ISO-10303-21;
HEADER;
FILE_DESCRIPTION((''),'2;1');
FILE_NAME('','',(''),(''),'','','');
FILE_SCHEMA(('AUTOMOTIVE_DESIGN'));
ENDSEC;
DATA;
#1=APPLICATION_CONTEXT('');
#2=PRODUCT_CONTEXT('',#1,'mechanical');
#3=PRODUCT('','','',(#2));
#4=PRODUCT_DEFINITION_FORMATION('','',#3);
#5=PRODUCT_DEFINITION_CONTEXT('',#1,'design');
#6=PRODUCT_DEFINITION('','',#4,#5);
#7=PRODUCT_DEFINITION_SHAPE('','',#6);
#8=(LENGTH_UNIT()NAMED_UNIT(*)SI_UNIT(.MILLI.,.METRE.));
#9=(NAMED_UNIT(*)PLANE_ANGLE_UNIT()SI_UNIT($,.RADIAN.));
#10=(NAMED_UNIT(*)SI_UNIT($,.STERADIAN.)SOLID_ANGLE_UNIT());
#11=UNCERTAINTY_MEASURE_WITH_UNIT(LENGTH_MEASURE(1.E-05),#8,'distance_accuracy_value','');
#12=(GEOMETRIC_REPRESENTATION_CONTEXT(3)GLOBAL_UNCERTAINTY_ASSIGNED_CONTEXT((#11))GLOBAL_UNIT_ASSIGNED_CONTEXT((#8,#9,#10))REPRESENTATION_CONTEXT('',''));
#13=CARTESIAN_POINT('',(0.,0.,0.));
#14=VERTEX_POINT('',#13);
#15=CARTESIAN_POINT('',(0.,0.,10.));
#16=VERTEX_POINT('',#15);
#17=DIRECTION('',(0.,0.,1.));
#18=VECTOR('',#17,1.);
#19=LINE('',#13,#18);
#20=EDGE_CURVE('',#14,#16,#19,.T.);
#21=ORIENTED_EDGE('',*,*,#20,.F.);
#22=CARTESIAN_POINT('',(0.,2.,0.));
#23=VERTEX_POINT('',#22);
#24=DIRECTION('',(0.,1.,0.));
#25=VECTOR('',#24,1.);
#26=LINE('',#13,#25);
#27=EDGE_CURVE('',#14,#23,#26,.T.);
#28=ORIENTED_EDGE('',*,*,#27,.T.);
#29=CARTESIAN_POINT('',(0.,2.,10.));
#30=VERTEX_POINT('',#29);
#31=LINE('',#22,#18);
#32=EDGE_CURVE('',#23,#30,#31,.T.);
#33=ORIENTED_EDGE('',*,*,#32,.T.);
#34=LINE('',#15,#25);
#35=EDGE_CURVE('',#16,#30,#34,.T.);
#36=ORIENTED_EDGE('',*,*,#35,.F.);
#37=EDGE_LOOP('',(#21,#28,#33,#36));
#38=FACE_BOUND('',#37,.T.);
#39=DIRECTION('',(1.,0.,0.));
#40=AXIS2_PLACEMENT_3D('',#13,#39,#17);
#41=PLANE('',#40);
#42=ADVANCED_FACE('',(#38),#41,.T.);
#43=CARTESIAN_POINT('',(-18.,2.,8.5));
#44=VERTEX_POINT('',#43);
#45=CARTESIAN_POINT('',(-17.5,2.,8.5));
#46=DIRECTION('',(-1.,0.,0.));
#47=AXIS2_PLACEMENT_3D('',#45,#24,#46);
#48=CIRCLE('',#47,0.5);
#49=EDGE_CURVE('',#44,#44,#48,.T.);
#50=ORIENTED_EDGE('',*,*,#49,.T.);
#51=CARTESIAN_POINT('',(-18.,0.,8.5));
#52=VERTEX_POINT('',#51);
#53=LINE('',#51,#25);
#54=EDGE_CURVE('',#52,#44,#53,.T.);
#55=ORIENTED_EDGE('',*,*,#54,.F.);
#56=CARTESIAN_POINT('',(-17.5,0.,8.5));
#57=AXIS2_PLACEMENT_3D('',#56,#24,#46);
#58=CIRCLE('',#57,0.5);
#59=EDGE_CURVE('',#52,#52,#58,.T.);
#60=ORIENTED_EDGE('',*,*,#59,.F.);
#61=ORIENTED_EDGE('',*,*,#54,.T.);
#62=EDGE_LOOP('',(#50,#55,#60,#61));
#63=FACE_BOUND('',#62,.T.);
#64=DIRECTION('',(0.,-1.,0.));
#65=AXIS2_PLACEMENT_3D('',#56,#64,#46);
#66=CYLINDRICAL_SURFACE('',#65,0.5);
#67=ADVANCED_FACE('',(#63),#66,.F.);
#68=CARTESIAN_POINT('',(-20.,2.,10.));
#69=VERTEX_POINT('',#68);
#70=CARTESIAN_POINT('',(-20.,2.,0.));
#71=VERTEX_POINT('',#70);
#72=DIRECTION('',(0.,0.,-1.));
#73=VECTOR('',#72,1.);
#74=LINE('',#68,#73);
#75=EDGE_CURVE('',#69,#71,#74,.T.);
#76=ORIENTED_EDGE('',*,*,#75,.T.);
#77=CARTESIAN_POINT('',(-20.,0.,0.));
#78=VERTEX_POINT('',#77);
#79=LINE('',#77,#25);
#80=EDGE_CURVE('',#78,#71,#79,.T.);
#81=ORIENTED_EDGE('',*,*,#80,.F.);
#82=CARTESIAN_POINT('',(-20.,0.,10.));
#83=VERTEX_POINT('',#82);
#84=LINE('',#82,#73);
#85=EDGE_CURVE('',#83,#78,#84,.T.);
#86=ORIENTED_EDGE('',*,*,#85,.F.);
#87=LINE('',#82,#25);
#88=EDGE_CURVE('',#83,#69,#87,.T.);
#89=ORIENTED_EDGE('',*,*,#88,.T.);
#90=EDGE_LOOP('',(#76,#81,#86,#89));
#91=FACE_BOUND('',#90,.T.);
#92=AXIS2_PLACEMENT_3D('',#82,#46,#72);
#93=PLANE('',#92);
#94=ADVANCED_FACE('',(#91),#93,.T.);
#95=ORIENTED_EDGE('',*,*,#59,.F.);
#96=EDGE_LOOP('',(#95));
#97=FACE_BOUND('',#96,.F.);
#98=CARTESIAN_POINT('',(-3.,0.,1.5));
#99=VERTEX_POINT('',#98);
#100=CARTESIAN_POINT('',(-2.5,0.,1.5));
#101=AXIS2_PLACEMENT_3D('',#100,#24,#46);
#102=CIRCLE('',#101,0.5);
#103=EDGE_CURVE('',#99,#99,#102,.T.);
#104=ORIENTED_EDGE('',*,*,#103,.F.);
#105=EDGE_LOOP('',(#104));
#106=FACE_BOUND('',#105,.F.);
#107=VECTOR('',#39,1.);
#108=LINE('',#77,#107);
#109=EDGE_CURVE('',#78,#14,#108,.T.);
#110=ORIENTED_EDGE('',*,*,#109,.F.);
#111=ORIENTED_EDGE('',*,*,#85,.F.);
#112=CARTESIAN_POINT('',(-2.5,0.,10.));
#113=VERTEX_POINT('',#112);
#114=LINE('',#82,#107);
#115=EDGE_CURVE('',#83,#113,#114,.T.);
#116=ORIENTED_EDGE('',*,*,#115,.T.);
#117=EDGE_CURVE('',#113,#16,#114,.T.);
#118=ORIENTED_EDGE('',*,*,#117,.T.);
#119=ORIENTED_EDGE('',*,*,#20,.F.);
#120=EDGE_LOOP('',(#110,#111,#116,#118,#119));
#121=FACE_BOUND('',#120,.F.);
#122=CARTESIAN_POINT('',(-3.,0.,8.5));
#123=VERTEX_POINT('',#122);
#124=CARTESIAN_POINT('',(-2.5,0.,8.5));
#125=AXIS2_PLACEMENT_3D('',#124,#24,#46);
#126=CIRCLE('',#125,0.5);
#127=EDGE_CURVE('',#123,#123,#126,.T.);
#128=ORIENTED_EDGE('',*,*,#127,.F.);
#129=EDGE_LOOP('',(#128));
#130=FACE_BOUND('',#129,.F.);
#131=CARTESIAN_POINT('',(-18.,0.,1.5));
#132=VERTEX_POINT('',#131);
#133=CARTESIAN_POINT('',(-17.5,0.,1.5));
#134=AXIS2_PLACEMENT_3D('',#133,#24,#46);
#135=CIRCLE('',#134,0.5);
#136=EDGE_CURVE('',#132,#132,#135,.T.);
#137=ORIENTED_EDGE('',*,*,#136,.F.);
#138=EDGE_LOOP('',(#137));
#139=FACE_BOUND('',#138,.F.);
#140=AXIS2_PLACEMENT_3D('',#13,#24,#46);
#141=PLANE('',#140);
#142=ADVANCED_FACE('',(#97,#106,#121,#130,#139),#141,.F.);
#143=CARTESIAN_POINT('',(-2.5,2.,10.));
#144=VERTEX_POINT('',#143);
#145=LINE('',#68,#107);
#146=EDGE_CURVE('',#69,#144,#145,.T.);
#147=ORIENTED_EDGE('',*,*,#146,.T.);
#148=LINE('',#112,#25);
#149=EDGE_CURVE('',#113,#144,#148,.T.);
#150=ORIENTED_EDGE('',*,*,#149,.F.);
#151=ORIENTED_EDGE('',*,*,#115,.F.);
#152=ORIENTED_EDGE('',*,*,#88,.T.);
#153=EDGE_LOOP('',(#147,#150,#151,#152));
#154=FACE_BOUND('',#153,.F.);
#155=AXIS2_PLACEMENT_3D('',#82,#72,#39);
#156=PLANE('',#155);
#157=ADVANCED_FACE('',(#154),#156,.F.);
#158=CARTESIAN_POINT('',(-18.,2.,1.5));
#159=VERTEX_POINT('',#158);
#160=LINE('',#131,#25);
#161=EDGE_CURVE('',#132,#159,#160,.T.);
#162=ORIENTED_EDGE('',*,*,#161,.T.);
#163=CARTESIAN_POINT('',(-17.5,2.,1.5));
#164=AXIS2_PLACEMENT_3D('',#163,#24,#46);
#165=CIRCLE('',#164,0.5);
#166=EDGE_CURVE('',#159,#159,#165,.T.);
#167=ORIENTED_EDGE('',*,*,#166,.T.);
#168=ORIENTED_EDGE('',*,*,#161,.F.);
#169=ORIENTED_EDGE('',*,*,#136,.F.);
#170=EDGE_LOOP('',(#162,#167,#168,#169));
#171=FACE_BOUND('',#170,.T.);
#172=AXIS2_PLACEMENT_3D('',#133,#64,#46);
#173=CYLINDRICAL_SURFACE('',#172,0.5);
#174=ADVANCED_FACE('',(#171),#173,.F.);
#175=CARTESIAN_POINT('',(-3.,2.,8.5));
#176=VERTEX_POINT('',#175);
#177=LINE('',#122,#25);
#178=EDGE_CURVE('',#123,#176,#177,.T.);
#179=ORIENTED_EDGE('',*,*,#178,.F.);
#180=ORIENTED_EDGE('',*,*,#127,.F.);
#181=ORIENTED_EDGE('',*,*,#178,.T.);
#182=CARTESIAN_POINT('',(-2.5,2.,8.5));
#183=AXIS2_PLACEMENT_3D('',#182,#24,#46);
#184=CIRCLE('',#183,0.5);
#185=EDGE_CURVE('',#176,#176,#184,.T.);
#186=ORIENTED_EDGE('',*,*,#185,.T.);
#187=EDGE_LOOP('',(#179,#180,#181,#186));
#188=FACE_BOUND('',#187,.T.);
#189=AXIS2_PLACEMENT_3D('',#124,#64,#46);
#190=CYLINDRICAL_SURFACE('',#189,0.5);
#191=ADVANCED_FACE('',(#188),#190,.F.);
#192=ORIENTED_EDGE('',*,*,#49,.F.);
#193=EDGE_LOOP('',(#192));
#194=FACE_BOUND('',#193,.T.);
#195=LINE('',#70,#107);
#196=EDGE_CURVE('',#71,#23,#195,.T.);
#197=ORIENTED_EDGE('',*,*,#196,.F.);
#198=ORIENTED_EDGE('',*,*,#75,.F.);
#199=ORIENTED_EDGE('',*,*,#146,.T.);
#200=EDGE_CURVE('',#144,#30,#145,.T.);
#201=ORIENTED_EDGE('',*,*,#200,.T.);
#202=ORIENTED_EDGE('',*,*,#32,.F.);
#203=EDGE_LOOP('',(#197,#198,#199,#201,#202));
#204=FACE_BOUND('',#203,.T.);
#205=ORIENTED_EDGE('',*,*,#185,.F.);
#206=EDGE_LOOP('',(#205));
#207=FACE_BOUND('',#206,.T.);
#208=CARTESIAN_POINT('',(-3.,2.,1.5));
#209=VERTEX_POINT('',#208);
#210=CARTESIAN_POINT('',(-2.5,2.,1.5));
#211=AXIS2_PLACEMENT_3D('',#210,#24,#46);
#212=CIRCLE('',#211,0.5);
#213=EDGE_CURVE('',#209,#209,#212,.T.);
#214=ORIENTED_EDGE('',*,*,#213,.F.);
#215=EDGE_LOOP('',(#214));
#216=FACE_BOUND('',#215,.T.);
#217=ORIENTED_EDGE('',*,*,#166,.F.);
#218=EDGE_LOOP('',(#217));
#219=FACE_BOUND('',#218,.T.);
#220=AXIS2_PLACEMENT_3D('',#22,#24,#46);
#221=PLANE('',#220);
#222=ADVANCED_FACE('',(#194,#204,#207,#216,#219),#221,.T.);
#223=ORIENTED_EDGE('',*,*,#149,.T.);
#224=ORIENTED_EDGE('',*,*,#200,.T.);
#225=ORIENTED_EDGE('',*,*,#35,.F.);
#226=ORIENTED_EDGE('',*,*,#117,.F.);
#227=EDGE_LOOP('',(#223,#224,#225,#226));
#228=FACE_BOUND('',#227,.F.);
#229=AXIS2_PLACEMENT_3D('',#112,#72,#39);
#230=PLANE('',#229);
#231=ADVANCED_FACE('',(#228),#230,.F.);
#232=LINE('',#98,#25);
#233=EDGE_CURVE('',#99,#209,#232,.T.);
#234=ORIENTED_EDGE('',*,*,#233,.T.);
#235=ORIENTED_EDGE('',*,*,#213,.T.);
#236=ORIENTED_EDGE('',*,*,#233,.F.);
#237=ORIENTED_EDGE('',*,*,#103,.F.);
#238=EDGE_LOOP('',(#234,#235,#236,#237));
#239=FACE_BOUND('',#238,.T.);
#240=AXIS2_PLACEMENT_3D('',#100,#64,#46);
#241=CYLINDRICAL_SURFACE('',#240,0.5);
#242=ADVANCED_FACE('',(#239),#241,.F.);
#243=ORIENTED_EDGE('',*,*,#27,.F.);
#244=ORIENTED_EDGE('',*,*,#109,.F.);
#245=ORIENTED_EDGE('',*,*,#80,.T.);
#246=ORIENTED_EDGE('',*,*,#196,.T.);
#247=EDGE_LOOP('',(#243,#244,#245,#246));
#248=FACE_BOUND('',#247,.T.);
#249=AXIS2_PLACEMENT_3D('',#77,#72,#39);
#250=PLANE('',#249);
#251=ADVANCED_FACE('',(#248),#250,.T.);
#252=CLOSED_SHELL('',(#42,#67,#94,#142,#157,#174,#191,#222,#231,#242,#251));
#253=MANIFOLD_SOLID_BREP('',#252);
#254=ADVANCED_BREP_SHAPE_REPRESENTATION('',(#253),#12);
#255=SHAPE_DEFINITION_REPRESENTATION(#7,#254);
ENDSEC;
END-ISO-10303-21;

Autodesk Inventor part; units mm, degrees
ref_plane "YZ Plane" through (0, 0, 0) normal (1, 0, 0) x (0, 1, 0)
ref_plane "XZ Plane" through (0, 0, 0) normal (0, 1, 0) x (-1, 0, 0)
ref_plane "XY Plane" through (0, 0, 0) normal (0, 0, 1) x (1, 0, 0)
sketch "Sketch1" plane through (0, 0, 0) normal (0, 1, 0) x (-1, 0, 0)
  line L0 (20, 10) -> (0, 10)
  line L1 (0, 10) -> (20, 10)
  line L2 (20, 10) -> (20, 0)
  line L3 (20, 0) -> (0, 0)
  line L4 (0, 0) -> (0, 10)
  line L5 (0, 10) -> (2.5, 10)
  circle A0 centre (2.5, 8.5) radius 0.5
  circle A1 centre (2.5, 1.5) radius 0.5
  circle A2 centre (17.5, 1.5) radius 0.5
  circle A3 centre (17.5, 8.5) radius 0.5
  point P0 (0, 0)
  point P1 (10, 0)
  point P2 (10, 0)
  point P3 (16.8377, 0)
  point P4 (20, 10)
  dimension "d0" = 20
  dimension "d1" = 2.5
  dimension "d2" = 1
  dimension "d3" = 1
  dimension "d4" = 1
  dimension "d5" = 1
extrude "Extrusion1" add sketch "Sketch1" along normal blind 2
properties part number "bracket"
